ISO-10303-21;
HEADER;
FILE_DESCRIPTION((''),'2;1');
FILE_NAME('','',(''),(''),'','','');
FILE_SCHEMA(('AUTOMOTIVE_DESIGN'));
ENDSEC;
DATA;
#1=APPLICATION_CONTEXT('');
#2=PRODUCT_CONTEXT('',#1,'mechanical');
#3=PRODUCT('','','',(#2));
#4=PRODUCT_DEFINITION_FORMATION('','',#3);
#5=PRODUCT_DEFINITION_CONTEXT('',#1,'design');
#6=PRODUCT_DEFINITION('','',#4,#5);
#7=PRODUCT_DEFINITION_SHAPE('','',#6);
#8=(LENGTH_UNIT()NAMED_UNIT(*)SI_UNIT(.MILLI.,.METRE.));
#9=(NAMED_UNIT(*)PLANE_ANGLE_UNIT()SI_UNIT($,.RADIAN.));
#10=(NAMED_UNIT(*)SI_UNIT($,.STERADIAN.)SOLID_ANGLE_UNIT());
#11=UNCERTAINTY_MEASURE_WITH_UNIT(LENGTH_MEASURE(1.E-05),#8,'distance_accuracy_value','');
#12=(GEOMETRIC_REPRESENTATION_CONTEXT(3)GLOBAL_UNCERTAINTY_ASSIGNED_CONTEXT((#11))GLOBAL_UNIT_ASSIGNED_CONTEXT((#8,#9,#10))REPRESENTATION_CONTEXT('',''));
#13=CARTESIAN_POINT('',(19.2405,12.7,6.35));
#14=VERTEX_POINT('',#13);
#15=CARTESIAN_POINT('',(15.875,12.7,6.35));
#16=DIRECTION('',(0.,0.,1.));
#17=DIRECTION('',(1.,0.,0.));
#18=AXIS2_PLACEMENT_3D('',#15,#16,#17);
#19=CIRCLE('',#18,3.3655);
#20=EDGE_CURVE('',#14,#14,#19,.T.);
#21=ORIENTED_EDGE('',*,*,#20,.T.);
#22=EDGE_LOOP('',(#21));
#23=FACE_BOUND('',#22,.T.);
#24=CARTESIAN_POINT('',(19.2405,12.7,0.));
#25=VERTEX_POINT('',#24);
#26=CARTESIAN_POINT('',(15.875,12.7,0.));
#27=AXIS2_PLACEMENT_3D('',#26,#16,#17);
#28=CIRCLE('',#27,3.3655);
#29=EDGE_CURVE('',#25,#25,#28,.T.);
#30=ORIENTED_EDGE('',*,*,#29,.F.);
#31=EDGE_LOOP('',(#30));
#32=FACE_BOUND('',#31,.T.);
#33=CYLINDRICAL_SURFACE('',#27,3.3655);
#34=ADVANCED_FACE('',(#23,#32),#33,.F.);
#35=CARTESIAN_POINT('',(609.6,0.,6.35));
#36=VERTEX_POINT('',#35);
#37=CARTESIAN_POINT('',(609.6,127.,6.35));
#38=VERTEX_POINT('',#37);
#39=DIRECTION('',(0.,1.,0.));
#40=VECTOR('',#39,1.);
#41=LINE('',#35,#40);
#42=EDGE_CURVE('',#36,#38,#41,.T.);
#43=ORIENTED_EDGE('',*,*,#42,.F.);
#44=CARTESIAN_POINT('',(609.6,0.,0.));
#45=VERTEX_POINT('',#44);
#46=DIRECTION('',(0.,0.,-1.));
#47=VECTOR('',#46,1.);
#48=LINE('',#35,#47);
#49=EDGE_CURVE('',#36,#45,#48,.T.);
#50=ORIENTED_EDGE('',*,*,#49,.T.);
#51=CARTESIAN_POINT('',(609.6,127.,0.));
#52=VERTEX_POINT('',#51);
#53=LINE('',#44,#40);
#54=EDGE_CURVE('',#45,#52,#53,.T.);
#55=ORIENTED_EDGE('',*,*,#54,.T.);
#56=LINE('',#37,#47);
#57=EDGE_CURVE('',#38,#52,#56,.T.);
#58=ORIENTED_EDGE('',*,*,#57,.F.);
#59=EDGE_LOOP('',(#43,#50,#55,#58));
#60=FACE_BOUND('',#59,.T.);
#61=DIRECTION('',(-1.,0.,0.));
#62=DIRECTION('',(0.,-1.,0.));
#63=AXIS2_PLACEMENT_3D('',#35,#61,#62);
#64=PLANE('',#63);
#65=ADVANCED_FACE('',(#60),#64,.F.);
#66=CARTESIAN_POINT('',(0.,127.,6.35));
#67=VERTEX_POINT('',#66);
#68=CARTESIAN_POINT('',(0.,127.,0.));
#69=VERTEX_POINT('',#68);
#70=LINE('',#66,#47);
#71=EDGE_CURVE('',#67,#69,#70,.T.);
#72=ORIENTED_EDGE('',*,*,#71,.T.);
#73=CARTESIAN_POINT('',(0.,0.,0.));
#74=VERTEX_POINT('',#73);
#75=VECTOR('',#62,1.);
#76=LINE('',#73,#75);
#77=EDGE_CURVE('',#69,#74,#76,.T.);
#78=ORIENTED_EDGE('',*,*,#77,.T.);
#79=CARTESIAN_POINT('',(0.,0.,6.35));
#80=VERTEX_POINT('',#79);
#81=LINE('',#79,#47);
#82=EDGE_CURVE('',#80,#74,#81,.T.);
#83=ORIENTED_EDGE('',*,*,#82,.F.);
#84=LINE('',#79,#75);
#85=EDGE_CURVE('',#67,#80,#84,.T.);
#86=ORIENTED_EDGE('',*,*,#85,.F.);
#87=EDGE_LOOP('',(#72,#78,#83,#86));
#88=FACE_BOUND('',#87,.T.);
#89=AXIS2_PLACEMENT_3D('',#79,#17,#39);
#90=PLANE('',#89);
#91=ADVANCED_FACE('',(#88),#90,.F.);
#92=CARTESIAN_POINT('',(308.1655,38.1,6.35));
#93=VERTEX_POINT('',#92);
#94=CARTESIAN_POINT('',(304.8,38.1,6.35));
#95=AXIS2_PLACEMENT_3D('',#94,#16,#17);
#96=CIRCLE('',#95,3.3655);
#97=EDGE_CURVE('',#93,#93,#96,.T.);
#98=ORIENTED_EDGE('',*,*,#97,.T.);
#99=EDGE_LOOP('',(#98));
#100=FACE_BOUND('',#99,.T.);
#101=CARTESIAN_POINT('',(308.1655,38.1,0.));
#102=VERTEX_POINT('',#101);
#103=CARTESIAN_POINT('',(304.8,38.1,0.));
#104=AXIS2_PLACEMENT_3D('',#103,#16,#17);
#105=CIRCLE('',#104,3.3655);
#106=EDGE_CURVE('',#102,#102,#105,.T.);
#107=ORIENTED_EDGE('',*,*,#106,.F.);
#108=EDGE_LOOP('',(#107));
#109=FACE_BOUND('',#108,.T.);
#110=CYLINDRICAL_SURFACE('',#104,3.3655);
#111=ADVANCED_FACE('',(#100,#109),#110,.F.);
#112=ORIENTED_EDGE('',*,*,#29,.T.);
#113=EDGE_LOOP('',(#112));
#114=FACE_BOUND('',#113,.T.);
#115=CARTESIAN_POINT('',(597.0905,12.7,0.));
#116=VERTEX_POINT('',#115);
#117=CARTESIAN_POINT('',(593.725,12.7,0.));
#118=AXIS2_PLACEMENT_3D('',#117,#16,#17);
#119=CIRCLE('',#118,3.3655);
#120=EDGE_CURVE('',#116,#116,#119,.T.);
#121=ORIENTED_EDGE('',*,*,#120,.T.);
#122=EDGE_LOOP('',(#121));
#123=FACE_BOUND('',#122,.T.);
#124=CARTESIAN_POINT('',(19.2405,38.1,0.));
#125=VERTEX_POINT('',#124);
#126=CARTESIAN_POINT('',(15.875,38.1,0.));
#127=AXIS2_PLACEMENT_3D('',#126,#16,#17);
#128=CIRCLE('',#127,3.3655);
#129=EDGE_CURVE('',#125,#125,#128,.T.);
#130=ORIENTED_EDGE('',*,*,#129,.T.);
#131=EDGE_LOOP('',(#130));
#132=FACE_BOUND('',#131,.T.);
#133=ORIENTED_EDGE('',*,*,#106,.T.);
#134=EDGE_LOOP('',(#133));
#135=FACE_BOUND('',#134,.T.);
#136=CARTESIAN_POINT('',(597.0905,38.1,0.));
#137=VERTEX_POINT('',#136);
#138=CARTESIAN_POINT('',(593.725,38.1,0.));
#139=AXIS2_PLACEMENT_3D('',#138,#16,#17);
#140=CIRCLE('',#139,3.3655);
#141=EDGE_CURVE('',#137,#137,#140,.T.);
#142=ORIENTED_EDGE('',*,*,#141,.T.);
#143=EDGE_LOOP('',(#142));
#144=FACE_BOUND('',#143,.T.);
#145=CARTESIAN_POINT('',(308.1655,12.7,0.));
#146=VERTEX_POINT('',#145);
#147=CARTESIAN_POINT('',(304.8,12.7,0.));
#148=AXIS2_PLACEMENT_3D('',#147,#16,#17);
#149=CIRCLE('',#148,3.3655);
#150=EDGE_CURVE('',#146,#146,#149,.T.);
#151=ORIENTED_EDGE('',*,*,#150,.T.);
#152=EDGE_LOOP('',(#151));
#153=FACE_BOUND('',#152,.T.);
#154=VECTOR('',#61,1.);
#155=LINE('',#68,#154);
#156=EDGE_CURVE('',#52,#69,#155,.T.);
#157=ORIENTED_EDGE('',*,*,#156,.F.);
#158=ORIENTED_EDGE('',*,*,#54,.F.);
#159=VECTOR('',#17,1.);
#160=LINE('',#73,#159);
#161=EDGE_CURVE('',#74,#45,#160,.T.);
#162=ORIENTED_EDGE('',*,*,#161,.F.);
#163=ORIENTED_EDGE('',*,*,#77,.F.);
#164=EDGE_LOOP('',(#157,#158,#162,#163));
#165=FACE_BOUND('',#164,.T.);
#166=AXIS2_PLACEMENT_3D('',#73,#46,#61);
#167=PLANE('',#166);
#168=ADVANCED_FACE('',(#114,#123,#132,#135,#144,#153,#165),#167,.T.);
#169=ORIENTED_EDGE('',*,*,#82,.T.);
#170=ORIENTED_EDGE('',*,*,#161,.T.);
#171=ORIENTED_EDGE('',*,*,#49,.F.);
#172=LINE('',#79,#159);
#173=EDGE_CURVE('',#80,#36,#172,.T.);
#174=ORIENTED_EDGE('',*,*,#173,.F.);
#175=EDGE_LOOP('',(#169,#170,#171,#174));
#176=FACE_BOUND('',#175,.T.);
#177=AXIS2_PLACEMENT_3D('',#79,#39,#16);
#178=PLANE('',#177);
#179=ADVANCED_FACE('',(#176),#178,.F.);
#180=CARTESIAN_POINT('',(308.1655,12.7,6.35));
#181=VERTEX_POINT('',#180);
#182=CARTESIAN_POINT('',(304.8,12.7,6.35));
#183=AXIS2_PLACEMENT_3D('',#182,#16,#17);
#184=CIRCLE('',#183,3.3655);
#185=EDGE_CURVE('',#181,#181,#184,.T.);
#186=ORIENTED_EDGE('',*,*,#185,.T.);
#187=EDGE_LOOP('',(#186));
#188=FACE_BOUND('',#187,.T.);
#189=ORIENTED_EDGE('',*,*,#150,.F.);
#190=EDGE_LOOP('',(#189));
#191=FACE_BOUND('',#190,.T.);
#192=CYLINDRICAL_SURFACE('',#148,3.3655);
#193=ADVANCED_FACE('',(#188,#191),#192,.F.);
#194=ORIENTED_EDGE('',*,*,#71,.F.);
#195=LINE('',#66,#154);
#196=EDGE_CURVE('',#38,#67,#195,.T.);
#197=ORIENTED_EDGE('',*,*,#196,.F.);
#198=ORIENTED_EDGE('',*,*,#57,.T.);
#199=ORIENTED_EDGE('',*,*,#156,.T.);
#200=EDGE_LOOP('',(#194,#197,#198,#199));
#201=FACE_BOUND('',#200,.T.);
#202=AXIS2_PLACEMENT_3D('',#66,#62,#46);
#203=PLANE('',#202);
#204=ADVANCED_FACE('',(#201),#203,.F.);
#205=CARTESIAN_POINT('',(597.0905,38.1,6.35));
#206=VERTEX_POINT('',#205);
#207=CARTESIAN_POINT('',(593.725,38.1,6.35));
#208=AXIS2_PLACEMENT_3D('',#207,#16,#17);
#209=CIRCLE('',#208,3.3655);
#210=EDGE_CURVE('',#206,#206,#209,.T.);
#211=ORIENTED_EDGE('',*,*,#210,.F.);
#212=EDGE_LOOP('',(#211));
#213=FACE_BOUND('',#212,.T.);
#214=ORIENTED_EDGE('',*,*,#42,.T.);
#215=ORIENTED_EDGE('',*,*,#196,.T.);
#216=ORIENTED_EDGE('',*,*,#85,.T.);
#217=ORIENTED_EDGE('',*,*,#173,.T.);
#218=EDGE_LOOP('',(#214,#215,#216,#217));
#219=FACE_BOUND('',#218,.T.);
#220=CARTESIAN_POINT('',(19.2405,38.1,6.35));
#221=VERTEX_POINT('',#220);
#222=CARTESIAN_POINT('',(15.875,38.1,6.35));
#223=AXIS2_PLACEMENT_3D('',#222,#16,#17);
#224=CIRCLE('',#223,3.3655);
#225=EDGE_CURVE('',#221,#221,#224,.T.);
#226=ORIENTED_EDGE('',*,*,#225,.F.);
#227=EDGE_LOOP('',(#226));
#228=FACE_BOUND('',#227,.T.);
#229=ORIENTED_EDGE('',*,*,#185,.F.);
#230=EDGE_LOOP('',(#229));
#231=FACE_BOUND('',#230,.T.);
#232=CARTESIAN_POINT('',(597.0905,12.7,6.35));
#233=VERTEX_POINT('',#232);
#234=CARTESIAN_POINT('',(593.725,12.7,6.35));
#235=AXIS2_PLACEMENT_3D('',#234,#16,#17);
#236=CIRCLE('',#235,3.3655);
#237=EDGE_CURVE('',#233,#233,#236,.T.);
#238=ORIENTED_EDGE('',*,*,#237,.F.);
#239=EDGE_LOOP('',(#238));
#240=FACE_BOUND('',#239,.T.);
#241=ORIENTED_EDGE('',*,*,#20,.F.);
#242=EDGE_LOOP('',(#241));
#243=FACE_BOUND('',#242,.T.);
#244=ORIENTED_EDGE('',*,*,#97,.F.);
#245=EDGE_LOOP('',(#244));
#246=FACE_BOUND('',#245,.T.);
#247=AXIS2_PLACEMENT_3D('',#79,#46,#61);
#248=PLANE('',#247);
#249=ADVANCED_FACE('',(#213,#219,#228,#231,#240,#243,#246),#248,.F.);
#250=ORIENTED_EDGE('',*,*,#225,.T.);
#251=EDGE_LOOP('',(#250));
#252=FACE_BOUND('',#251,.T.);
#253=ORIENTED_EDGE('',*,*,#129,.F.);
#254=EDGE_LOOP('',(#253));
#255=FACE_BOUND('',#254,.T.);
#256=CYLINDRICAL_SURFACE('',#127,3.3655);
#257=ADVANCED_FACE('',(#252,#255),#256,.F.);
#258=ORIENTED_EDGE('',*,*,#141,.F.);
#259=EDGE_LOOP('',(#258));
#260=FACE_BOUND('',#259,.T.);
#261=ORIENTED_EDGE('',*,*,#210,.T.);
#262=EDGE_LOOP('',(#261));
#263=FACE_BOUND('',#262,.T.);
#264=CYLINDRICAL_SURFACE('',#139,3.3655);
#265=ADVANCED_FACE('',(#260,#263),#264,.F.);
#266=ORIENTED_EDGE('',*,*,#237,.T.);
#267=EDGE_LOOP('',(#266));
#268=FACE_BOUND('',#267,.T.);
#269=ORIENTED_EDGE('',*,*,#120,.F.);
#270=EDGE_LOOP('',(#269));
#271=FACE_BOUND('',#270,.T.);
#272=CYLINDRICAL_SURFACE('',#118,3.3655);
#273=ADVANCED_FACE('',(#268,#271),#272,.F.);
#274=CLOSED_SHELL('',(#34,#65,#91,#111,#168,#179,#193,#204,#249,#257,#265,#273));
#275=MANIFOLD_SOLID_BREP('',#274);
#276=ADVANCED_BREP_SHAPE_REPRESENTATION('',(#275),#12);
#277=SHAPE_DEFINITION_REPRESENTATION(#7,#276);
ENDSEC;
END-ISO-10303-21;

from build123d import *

# Parameters (mm, degrees)
SKETCH2_W           = 609.6
SKETCH2_H           = 127
BOSS_EXTRUDE1_DEPTH = 6.35
SKETCH3_R           = 3.3655
CUT_EXTRUDE1_DEPTH  = 6.35
SKETCH6_R           = 3.3655
CUT_EXTRUDE4_DEPTH  = 7.35


with BuildPart() as part:
    # Sketch2 → Boss-Extrude1 (new body)
    with BuildSketch(Plane.XY):
        with Locations((304.8, 63.5)):
            Rectangle(SKETCH2_W, SKETCH2_H)
    extrude(amount=BOSS_EXTRUDE1_DEPTH)

    # Sketch3 → Cut-Extrude1 (cut)
    with BuildSketch(Plane.XY.offset(6.35)):
        with Locations((15.875, 12.7)):
            Circle(SKETCH3_R)
        with Locations((593.725, 12.7)):
            Circle(SKETCH3_R)
        with Locations((593.725, 38.1)):
            Circle(SKETCH3_R)
        with Locations((15.875, 38.1)):
            Circle(SKETCH3_R)
    extrude(amount=-CUT_EXTRUDE1_DEPTH, mode=Mode.SUBTRACT)

    # Sketch6 → Cut-Extrude4 (cut, through all)
    with BuildSketch(Plane.XY.offset(6.35)):
        with Locations((304.8, 38.1)):
            Circle(SKETCH6_R)
        with Locations((304.8, 12.7)):
            Circle(SKETCH6_R)
    extrude(amount=-CUT_EXTRUDE4_DEPTH, mode=Mode.SUBTRACT)


solid = part.part
